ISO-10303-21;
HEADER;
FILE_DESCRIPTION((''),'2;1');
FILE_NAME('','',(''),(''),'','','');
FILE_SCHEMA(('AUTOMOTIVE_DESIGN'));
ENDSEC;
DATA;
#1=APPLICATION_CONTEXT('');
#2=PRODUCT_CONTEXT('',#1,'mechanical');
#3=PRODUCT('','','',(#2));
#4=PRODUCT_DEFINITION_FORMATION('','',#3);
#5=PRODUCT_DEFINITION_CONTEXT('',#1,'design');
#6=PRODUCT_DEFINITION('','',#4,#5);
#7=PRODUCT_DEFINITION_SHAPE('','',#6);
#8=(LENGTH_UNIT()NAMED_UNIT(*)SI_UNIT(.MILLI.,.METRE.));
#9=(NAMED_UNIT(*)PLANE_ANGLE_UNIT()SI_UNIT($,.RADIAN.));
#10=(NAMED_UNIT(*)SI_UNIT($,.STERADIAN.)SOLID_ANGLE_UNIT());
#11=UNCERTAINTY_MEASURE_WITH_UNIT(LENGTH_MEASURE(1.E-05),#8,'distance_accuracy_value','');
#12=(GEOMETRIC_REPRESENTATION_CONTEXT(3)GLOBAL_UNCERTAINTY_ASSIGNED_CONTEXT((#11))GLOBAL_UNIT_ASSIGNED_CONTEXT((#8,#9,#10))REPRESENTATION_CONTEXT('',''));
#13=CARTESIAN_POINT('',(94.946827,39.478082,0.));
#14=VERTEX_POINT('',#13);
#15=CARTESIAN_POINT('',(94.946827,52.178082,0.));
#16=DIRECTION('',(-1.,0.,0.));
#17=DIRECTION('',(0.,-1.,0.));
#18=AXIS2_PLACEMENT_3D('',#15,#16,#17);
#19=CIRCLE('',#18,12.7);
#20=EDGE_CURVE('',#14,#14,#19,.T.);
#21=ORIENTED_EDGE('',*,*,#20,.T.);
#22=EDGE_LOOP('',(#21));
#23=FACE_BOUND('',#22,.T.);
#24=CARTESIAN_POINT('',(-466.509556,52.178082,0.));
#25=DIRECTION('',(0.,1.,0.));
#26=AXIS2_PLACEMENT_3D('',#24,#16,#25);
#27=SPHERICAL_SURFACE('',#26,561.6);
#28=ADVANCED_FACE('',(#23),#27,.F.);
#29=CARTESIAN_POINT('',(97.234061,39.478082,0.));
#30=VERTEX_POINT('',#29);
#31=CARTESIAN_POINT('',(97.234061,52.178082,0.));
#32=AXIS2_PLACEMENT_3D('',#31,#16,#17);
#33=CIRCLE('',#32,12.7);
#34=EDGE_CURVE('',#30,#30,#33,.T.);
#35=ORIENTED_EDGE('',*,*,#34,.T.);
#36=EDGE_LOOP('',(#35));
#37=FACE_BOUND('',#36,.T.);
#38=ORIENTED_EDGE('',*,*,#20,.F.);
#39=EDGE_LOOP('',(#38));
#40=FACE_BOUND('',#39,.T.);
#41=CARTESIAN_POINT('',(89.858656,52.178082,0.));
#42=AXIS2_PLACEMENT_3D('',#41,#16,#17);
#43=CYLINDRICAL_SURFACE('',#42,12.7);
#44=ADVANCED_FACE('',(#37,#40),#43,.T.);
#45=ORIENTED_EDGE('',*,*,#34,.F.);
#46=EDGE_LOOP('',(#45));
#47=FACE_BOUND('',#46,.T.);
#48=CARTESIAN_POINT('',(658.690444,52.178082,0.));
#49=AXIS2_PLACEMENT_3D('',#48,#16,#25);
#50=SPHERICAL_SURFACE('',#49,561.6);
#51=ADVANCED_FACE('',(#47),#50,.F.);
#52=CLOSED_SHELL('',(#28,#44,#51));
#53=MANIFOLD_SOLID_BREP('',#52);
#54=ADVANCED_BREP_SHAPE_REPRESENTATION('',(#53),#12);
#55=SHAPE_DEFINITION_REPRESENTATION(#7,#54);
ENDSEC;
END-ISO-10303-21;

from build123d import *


with BuildPart() as part:
    # 草图1 → 旋转1 (revolve)
    with BuildSketch(Plane.XY):
        with BuildLine():
            Line((95.090443592, 52.178082298), (97.090444345, 52.178082298))
            ThreePointArc((97.090444345, 52.178082298), (97.126349746, 58.528488306), (97.234061355, 64.878082298))
            Line((97.234061355, 64.878082298), (96.090443968, 64.878082298))
            Line((96.090443968, 64.878082298), (94.946826581, 64.878082298))
            ThreePointArc((94.946826581, 64.878082298), (95.054538191, 58.528488306), (95.090443592, 52.178082298))
        make_face()
    revolve(axis=Axis((89.858656454, 52.178082298, 0), (1, 0, 0)))


solid = part.part
